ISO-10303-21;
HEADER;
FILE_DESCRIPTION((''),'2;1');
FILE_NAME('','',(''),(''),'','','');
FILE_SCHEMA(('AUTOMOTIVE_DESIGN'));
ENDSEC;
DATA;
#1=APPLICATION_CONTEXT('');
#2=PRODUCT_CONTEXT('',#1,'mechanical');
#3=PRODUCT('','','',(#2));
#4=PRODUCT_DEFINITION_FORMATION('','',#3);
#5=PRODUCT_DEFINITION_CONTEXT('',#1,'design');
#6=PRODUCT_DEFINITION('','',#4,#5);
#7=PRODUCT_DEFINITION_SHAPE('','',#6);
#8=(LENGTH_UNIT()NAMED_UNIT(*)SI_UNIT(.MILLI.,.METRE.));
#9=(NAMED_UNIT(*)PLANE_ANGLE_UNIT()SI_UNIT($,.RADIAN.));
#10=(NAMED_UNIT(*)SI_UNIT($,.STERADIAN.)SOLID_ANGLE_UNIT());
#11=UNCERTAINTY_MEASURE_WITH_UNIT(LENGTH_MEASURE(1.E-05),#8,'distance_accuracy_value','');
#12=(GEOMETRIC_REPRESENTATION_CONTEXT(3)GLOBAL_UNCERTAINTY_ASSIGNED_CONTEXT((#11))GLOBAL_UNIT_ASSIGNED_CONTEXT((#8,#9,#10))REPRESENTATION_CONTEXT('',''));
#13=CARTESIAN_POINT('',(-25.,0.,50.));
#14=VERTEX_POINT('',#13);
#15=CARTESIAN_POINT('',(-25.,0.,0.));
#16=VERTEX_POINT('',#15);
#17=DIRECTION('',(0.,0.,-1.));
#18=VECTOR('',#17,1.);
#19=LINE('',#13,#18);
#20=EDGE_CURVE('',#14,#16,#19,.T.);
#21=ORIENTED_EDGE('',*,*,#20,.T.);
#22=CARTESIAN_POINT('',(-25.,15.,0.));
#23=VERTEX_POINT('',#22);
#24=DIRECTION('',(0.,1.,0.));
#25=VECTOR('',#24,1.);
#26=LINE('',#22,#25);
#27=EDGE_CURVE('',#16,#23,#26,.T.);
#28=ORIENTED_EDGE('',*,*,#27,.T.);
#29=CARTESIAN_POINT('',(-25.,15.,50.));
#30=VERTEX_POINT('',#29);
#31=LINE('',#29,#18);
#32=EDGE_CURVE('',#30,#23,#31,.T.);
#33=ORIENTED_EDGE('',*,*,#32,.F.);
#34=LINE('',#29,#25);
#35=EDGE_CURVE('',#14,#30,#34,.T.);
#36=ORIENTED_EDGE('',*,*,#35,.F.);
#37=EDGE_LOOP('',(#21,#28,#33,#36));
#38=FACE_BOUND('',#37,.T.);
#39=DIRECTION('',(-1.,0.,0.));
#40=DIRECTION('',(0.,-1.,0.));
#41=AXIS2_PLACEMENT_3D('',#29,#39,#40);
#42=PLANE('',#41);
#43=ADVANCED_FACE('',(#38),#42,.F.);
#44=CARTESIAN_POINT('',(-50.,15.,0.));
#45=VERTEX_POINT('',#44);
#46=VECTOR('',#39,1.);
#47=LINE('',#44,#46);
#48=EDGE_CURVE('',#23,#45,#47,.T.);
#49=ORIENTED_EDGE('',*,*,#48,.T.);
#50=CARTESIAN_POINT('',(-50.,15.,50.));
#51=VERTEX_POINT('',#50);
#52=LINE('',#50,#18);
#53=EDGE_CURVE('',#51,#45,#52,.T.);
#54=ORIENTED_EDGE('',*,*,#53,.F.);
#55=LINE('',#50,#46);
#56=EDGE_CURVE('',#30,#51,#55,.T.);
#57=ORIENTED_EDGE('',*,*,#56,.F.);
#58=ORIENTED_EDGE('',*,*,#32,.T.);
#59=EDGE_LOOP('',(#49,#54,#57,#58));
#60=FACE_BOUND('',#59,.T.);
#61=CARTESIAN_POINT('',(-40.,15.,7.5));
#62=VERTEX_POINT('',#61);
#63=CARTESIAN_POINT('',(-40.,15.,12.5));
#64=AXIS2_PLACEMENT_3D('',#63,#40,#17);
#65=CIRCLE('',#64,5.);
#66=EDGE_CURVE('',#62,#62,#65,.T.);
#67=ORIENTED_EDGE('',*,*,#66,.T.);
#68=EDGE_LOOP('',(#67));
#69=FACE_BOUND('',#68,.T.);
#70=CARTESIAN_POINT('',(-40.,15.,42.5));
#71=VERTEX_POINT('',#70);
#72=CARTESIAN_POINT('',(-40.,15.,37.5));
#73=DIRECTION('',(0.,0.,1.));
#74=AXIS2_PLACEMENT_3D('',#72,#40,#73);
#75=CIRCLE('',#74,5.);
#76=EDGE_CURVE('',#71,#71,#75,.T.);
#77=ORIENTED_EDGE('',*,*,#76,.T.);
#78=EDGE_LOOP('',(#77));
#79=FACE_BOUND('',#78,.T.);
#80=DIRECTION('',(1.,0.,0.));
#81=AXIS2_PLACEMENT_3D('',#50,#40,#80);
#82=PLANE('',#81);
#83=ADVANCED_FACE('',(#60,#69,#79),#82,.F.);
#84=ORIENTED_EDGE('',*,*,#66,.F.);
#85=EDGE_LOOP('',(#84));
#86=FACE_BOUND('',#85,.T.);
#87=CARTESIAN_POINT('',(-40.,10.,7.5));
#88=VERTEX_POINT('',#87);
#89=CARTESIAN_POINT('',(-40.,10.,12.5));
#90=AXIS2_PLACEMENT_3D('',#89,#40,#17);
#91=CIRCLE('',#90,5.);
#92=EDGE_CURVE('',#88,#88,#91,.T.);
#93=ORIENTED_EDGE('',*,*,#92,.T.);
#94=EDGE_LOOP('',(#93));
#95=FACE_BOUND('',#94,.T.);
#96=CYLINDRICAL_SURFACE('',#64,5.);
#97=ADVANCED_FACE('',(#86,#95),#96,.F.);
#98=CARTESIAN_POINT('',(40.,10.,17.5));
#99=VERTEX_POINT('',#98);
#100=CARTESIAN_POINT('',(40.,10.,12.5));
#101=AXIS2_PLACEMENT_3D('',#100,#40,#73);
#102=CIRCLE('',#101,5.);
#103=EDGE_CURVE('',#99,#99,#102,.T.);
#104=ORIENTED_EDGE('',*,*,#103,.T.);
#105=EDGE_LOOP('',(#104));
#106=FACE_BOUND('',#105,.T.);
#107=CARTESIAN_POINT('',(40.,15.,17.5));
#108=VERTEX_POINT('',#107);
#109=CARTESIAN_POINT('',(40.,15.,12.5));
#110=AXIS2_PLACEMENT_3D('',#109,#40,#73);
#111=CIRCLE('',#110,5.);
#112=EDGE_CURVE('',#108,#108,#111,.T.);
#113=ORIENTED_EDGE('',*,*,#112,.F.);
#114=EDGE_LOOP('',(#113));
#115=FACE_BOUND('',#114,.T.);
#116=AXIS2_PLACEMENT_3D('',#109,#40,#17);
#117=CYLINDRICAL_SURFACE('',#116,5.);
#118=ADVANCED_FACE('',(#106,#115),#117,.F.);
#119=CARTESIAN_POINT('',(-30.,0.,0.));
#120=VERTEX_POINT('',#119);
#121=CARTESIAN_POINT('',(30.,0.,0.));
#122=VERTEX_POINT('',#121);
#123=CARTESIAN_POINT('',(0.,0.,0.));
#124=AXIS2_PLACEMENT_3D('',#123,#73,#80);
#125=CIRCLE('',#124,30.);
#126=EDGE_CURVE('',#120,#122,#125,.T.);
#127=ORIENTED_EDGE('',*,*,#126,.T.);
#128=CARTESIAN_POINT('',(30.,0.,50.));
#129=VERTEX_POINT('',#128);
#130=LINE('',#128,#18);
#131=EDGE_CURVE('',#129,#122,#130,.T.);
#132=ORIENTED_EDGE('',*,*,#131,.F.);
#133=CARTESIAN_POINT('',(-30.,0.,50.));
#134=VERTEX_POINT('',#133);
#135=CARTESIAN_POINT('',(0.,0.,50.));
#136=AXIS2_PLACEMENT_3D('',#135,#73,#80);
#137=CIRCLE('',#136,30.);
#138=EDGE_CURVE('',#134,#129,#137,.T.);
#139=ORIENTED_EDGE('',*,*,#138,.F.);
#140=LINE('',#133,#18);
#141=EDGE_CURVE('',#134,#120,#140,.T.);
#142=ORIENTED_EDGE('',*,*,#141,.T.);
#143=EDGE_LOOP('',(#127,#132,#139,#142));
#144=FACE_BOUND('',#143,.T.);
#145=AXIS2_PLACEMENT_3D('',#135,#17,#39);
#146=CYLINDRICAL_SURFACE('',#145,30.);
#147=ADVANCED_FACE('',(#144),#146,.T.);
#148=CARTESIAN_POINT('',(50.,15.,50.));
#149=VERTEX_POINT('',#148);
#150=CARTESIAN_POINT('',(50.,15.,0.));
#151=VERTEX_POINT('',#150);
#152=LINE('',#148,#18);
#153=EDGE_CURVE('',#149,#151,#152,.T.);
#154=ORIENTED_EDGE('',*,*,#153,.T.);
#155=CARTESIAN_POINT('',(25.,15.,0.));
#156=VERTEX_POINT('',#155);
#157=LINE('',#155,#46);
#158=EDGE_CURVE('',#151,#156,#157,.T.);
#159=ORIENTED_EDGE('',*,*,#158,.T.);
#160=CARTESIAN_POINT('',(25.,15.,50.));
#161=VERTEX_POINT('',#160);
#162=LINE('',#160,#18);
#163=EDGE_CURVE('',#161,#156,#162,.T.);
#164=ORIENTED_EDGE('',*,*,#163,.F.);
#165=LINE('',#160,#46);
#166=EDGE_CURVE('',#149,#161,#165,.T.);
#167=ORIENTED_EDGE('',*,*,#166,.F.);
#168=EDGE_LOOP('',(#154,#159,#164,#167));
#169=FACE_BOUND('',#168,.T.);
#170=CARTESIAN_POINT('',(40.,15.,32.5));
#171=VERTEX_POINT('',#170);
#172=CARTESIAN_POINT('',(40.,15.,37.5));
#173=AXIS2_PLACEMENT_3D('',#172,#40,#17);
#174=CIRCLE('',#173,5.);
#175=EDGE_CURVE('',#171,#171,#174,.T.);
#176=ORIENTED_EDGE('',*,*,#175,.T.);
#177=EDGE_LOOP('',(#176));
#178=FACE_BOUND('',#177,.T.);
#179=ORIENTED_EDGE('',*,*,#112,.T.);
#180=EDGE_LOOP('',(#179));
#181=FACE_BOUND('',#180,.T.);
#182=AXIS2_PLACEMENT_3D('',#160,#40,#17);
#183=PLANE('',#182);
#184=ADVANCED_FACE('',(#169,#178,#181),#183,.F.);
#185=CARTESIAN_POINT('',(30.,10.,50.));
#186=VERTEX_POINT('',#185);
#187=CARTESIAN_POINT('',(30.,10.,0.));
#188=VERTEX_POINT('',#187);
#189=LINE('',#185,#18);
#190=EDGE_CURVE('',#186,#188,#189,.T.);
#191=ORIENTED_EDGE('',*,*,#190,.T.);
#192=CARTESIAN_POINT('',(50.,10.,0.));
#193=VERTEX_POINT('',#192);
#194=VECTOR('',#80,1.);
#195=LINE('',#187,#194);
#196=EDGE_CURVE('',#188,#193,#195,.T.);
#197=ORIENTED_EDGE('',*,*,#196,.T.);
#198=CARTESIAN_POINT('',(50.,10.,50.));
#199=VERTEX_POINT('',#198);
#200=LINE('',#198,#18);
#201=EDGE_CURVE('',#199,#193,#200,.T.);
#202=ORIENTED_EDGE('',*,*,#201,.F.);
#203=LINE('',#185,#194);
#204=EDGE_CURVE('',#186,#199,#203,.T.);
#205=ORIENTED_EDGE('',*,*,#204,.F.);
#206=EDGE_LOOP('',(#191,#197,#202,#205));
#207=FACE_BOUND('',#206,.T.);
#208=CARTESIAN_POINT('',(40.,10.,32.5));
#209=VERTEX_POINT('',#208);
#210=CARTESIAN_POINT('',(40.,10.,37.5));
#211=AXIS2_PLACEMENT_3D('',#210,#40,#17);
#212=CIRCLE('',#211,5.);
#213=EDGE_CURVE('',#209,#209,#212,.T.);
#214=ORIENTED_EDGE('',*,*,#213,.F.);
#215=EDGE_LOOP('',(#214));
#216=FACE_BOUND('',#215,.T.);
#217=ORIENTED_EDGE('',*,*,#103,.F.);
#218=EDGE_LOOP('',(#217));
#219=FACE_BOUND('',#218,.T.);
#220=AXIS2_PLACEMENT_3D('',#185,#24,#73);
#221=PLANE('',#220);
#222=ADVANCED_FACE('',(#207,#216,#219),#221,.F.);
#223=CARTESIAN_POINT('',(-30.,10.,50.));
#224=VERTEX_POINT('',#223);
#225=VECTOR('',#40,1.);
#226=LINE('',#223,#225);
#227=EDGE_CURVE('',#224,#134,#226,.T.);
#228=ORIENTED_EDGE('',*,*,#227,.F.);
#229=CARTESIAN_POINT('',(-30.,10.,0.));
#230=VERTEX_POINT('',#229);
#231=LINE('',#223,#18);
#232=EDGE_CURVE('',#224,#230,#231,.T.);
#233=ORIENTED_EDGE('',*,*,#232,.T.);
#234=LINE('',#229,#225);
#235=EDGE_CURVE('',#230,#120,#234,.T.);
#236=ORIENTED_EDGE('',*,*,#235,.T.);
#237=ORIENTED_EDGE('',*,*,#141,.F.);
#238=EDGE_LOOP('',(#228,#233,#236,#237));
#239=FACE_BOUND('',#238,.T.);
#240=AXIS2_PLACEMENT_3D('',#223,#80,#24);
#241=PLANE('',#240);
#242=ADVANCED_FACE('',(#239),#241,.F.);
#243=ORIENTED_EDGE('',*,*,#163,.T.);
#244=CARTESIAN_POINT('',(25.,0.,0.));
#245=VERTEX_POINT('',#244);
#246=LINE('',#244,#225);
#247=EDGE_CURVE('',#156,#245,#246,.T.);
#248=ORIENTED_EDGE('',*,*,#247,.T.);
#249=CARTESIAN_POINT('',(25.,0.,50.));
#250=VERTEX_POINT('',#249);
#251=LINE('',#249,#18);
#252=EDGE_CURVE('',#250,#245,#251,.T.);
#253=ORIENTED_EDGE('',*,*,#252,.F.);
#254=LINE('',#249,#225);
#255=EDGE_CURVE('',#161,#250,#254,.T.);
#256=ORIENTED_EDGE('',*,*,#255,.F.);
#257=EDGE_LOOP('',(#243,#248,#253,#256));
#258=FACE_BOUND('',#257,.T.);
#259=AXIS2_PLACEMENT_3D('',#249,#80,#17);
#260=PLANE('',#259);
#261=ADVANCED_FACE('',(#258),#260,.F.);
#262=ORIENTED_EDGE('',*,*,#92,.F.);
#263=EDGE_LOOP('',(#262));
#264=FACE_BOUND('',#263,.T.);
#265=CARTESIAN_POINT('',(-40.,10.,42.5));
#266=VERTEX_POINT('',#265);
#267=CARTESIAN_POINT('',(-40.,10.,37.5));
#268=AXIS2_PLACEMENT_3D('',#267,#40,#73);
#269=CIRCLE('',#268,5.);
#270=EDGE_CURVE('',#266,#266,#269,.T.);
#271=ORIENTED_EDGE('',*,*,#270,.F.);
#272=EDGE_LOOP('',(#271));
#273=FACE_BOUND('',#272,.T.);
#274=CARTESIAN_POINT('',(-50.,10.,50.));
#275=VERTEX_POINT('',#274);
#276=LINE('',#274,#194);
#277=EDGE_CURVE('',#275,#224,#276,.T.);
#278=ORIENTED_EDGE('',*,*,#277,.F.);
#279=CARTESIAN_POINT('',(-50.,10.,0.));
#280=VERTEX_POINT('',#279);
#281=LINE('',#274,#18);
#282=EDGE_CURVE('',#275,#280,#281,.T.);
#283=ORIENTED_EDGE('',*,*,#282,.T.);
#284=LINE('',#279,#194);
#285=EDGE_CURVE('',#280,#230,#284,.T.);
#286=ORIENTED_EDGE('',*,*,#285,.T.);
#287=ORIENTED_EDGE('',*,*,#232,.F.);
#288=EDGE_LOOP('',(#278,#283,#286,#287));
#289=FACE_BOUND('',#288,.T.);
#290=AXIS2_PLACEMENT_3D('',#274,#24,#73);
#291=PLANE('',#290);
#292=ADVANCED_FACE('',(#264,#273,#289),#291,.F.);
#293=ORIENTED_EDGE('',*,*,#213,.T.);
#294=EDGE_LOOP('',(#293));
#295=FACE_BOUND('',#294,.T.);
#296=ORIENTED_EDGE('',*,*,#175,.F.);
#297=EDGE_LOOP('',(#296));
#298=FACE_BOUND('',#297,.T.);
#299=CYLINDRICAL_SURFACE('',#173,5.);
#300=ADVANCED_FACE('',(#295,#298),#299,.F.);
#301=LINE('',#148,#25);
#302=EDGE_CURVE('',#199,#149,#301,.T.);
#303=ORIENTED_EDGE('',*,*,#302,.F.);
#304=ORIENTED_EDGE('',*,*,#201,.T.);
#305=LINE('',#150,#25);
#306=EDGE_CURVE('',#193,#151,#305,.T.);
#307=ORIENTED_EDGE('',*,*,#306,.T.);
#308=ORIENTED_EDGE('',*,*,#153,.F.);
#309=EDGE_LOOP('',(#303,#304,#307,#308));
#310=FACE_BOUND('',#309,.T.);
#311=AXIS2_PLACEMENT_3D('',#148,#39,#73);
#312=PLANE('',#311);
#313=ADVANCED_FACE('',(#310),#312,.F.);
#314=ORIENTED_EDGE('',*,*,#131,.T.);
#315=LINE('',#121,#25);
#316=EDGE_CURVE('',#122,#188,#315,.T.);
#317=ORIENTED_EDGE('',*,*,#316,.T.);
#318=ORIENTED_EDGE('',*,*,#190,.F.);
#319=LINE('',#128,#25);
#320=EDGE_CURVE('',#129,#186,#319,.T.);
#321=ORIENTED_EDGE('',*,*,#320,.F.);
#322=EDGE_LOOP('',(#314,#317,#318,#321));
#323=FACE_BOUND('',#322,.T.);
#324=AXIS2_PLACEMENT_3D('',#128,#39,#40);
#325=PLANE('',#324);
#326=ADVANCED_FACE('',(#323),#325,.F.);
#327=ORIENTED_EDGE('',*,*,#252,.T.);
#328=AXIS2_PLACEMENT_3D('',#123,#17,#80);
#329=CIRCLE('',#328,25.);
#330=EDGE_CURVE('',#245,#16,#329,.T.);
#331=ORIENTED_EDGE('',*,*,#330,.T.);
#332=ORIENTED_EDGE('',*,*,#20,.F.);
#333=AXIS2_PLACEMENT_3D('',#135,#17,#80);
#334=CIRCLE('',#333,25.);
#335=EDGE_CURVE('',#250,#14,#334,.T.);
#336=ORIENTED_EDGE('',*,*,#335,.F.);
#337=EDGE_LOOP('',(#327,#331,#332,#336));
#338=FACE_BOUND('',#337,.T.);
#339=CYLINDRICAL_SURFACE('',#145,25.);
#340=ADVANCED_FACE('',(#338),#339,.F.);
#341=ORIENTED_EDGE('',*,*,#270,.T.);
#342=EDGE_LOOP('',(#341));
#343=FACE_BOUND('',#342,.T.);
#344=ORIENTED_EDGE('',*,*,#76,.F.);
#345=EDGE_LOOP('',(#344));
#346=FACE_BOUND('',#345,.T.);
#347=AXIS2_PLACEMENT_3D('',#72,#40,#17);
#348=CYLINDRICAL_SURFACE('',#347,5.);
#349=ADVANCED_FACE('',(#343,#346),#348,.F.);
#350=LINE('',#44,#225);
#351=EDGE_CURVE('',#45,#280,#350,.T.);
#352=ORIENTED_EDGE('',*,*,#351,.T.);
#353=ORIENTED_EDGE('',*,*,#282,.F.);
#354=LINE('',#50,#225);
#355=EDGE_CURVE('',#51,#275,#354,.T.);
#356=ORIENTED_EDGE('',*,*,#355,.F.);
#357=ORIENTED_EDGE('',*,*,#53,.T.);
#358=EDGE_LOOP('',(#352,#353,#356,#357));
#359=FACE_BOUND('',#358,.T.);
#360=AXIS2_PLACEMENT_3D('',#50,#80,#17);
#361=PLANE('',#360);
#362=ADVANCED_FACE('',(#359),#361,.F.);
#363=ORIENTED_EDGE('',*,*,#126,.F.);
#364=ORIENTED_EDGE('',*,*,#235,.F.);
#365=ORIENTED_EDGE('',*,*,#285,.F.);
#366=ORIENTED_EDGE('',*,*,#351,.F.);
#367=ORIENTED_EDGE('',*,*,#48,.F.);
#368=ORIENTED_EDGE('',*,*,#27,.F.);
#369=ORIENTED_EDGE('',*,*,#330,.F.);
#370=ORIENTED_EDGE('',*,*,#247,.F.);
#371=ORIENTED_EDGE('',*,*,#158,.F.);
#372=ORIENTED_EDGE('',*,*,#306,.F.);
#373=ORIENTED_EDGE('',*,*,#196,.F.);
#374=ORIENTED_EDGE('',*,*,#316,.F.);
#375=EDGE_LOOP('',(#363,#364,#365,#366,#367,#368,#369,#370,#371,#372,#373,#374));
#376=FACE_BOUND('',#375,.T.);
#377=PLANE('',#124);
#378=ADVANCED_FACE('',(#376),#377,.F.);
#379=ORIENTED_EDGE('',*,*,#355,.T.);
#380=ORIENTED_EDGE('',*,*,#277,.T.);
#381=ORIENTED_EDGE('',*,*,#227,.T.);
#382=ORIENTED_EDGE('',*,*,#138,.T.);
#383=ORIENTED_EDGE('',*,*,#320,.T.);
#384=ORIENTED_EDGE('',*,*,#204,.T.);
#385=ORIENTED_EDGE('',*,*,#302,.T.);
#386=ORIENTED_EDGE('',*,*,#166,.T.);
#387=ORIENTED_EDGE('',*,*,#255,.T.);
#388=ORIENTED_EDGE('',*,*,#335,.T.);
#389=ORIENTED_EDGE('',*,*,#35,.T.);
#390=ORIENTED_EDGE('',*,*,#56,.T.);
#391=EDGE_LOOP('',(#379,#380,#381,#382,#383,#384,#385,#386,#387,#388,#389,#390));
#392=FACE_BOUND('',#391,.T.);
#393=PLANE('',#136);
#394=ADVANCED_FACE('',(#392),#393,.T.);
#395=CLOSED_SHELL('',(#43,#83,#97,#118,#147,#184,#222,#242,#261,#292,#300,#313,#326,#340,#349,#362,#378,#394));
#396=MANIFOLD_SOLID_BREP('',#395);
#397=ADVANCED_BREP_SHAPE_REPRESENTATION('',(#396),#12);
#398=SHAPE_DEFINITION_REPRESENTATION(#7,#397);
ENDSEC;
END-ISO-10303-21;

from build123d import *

# Parameters (mm, degrees)
BOSS_EXTRUDE1_DEPTH = 50
SKETCH2_R           = 5
CUT_EXTRUDE1_DEPTH  = 6


with BuildPart() as part:
    # Sketch1 → Boss-Extrude1 (new body)
    with BuildSketch(Plane.XY):
        with BuildLine():
            Line((-50, 15), (-25, 15))
            Line((-25, 15), (-25, 0))
            ThreePointArc((-25, 0), (0, -25), (25, 0))
            Line((25, 0), (25, 15))
            Line((25, 15), (50, 15))
            Line((50, 15), (50, 10))
            Line((50, 10), (30, 10))
            Line((30, 10), (30, 0))
            ThreePointArc((30, 0), (0, -30), (-30, 0))
            Line((-30, 0), (-30, 10))
            Line((-30, 10), (-50, 10))
            Line((-50, 10), (-50, 15))
        make_face()
    extrude(amount=BOSS_EXTRUDE1_DEPTH)

    # Sketch2 → Cut-Extrude1 (cut, through all)
    with BuildSketch(Plane.XZ.offset(-10)):
        with Locations((40, 37.5)):
            Circle(SKETCH2_R)
        with Locations((40, 12.5)):
            Circle(SKETCH2_R)
        with Locations((-40, 12.5)):
            Circle(SKETCH2_R)
        with Locations((-40, 37.5)):
            Circle(SKETCH2_R)
    extrude(amount=-CUT_EXTRUDE1_DEPTH, mode=Mode.SUBTRACT)


solid = part.part
